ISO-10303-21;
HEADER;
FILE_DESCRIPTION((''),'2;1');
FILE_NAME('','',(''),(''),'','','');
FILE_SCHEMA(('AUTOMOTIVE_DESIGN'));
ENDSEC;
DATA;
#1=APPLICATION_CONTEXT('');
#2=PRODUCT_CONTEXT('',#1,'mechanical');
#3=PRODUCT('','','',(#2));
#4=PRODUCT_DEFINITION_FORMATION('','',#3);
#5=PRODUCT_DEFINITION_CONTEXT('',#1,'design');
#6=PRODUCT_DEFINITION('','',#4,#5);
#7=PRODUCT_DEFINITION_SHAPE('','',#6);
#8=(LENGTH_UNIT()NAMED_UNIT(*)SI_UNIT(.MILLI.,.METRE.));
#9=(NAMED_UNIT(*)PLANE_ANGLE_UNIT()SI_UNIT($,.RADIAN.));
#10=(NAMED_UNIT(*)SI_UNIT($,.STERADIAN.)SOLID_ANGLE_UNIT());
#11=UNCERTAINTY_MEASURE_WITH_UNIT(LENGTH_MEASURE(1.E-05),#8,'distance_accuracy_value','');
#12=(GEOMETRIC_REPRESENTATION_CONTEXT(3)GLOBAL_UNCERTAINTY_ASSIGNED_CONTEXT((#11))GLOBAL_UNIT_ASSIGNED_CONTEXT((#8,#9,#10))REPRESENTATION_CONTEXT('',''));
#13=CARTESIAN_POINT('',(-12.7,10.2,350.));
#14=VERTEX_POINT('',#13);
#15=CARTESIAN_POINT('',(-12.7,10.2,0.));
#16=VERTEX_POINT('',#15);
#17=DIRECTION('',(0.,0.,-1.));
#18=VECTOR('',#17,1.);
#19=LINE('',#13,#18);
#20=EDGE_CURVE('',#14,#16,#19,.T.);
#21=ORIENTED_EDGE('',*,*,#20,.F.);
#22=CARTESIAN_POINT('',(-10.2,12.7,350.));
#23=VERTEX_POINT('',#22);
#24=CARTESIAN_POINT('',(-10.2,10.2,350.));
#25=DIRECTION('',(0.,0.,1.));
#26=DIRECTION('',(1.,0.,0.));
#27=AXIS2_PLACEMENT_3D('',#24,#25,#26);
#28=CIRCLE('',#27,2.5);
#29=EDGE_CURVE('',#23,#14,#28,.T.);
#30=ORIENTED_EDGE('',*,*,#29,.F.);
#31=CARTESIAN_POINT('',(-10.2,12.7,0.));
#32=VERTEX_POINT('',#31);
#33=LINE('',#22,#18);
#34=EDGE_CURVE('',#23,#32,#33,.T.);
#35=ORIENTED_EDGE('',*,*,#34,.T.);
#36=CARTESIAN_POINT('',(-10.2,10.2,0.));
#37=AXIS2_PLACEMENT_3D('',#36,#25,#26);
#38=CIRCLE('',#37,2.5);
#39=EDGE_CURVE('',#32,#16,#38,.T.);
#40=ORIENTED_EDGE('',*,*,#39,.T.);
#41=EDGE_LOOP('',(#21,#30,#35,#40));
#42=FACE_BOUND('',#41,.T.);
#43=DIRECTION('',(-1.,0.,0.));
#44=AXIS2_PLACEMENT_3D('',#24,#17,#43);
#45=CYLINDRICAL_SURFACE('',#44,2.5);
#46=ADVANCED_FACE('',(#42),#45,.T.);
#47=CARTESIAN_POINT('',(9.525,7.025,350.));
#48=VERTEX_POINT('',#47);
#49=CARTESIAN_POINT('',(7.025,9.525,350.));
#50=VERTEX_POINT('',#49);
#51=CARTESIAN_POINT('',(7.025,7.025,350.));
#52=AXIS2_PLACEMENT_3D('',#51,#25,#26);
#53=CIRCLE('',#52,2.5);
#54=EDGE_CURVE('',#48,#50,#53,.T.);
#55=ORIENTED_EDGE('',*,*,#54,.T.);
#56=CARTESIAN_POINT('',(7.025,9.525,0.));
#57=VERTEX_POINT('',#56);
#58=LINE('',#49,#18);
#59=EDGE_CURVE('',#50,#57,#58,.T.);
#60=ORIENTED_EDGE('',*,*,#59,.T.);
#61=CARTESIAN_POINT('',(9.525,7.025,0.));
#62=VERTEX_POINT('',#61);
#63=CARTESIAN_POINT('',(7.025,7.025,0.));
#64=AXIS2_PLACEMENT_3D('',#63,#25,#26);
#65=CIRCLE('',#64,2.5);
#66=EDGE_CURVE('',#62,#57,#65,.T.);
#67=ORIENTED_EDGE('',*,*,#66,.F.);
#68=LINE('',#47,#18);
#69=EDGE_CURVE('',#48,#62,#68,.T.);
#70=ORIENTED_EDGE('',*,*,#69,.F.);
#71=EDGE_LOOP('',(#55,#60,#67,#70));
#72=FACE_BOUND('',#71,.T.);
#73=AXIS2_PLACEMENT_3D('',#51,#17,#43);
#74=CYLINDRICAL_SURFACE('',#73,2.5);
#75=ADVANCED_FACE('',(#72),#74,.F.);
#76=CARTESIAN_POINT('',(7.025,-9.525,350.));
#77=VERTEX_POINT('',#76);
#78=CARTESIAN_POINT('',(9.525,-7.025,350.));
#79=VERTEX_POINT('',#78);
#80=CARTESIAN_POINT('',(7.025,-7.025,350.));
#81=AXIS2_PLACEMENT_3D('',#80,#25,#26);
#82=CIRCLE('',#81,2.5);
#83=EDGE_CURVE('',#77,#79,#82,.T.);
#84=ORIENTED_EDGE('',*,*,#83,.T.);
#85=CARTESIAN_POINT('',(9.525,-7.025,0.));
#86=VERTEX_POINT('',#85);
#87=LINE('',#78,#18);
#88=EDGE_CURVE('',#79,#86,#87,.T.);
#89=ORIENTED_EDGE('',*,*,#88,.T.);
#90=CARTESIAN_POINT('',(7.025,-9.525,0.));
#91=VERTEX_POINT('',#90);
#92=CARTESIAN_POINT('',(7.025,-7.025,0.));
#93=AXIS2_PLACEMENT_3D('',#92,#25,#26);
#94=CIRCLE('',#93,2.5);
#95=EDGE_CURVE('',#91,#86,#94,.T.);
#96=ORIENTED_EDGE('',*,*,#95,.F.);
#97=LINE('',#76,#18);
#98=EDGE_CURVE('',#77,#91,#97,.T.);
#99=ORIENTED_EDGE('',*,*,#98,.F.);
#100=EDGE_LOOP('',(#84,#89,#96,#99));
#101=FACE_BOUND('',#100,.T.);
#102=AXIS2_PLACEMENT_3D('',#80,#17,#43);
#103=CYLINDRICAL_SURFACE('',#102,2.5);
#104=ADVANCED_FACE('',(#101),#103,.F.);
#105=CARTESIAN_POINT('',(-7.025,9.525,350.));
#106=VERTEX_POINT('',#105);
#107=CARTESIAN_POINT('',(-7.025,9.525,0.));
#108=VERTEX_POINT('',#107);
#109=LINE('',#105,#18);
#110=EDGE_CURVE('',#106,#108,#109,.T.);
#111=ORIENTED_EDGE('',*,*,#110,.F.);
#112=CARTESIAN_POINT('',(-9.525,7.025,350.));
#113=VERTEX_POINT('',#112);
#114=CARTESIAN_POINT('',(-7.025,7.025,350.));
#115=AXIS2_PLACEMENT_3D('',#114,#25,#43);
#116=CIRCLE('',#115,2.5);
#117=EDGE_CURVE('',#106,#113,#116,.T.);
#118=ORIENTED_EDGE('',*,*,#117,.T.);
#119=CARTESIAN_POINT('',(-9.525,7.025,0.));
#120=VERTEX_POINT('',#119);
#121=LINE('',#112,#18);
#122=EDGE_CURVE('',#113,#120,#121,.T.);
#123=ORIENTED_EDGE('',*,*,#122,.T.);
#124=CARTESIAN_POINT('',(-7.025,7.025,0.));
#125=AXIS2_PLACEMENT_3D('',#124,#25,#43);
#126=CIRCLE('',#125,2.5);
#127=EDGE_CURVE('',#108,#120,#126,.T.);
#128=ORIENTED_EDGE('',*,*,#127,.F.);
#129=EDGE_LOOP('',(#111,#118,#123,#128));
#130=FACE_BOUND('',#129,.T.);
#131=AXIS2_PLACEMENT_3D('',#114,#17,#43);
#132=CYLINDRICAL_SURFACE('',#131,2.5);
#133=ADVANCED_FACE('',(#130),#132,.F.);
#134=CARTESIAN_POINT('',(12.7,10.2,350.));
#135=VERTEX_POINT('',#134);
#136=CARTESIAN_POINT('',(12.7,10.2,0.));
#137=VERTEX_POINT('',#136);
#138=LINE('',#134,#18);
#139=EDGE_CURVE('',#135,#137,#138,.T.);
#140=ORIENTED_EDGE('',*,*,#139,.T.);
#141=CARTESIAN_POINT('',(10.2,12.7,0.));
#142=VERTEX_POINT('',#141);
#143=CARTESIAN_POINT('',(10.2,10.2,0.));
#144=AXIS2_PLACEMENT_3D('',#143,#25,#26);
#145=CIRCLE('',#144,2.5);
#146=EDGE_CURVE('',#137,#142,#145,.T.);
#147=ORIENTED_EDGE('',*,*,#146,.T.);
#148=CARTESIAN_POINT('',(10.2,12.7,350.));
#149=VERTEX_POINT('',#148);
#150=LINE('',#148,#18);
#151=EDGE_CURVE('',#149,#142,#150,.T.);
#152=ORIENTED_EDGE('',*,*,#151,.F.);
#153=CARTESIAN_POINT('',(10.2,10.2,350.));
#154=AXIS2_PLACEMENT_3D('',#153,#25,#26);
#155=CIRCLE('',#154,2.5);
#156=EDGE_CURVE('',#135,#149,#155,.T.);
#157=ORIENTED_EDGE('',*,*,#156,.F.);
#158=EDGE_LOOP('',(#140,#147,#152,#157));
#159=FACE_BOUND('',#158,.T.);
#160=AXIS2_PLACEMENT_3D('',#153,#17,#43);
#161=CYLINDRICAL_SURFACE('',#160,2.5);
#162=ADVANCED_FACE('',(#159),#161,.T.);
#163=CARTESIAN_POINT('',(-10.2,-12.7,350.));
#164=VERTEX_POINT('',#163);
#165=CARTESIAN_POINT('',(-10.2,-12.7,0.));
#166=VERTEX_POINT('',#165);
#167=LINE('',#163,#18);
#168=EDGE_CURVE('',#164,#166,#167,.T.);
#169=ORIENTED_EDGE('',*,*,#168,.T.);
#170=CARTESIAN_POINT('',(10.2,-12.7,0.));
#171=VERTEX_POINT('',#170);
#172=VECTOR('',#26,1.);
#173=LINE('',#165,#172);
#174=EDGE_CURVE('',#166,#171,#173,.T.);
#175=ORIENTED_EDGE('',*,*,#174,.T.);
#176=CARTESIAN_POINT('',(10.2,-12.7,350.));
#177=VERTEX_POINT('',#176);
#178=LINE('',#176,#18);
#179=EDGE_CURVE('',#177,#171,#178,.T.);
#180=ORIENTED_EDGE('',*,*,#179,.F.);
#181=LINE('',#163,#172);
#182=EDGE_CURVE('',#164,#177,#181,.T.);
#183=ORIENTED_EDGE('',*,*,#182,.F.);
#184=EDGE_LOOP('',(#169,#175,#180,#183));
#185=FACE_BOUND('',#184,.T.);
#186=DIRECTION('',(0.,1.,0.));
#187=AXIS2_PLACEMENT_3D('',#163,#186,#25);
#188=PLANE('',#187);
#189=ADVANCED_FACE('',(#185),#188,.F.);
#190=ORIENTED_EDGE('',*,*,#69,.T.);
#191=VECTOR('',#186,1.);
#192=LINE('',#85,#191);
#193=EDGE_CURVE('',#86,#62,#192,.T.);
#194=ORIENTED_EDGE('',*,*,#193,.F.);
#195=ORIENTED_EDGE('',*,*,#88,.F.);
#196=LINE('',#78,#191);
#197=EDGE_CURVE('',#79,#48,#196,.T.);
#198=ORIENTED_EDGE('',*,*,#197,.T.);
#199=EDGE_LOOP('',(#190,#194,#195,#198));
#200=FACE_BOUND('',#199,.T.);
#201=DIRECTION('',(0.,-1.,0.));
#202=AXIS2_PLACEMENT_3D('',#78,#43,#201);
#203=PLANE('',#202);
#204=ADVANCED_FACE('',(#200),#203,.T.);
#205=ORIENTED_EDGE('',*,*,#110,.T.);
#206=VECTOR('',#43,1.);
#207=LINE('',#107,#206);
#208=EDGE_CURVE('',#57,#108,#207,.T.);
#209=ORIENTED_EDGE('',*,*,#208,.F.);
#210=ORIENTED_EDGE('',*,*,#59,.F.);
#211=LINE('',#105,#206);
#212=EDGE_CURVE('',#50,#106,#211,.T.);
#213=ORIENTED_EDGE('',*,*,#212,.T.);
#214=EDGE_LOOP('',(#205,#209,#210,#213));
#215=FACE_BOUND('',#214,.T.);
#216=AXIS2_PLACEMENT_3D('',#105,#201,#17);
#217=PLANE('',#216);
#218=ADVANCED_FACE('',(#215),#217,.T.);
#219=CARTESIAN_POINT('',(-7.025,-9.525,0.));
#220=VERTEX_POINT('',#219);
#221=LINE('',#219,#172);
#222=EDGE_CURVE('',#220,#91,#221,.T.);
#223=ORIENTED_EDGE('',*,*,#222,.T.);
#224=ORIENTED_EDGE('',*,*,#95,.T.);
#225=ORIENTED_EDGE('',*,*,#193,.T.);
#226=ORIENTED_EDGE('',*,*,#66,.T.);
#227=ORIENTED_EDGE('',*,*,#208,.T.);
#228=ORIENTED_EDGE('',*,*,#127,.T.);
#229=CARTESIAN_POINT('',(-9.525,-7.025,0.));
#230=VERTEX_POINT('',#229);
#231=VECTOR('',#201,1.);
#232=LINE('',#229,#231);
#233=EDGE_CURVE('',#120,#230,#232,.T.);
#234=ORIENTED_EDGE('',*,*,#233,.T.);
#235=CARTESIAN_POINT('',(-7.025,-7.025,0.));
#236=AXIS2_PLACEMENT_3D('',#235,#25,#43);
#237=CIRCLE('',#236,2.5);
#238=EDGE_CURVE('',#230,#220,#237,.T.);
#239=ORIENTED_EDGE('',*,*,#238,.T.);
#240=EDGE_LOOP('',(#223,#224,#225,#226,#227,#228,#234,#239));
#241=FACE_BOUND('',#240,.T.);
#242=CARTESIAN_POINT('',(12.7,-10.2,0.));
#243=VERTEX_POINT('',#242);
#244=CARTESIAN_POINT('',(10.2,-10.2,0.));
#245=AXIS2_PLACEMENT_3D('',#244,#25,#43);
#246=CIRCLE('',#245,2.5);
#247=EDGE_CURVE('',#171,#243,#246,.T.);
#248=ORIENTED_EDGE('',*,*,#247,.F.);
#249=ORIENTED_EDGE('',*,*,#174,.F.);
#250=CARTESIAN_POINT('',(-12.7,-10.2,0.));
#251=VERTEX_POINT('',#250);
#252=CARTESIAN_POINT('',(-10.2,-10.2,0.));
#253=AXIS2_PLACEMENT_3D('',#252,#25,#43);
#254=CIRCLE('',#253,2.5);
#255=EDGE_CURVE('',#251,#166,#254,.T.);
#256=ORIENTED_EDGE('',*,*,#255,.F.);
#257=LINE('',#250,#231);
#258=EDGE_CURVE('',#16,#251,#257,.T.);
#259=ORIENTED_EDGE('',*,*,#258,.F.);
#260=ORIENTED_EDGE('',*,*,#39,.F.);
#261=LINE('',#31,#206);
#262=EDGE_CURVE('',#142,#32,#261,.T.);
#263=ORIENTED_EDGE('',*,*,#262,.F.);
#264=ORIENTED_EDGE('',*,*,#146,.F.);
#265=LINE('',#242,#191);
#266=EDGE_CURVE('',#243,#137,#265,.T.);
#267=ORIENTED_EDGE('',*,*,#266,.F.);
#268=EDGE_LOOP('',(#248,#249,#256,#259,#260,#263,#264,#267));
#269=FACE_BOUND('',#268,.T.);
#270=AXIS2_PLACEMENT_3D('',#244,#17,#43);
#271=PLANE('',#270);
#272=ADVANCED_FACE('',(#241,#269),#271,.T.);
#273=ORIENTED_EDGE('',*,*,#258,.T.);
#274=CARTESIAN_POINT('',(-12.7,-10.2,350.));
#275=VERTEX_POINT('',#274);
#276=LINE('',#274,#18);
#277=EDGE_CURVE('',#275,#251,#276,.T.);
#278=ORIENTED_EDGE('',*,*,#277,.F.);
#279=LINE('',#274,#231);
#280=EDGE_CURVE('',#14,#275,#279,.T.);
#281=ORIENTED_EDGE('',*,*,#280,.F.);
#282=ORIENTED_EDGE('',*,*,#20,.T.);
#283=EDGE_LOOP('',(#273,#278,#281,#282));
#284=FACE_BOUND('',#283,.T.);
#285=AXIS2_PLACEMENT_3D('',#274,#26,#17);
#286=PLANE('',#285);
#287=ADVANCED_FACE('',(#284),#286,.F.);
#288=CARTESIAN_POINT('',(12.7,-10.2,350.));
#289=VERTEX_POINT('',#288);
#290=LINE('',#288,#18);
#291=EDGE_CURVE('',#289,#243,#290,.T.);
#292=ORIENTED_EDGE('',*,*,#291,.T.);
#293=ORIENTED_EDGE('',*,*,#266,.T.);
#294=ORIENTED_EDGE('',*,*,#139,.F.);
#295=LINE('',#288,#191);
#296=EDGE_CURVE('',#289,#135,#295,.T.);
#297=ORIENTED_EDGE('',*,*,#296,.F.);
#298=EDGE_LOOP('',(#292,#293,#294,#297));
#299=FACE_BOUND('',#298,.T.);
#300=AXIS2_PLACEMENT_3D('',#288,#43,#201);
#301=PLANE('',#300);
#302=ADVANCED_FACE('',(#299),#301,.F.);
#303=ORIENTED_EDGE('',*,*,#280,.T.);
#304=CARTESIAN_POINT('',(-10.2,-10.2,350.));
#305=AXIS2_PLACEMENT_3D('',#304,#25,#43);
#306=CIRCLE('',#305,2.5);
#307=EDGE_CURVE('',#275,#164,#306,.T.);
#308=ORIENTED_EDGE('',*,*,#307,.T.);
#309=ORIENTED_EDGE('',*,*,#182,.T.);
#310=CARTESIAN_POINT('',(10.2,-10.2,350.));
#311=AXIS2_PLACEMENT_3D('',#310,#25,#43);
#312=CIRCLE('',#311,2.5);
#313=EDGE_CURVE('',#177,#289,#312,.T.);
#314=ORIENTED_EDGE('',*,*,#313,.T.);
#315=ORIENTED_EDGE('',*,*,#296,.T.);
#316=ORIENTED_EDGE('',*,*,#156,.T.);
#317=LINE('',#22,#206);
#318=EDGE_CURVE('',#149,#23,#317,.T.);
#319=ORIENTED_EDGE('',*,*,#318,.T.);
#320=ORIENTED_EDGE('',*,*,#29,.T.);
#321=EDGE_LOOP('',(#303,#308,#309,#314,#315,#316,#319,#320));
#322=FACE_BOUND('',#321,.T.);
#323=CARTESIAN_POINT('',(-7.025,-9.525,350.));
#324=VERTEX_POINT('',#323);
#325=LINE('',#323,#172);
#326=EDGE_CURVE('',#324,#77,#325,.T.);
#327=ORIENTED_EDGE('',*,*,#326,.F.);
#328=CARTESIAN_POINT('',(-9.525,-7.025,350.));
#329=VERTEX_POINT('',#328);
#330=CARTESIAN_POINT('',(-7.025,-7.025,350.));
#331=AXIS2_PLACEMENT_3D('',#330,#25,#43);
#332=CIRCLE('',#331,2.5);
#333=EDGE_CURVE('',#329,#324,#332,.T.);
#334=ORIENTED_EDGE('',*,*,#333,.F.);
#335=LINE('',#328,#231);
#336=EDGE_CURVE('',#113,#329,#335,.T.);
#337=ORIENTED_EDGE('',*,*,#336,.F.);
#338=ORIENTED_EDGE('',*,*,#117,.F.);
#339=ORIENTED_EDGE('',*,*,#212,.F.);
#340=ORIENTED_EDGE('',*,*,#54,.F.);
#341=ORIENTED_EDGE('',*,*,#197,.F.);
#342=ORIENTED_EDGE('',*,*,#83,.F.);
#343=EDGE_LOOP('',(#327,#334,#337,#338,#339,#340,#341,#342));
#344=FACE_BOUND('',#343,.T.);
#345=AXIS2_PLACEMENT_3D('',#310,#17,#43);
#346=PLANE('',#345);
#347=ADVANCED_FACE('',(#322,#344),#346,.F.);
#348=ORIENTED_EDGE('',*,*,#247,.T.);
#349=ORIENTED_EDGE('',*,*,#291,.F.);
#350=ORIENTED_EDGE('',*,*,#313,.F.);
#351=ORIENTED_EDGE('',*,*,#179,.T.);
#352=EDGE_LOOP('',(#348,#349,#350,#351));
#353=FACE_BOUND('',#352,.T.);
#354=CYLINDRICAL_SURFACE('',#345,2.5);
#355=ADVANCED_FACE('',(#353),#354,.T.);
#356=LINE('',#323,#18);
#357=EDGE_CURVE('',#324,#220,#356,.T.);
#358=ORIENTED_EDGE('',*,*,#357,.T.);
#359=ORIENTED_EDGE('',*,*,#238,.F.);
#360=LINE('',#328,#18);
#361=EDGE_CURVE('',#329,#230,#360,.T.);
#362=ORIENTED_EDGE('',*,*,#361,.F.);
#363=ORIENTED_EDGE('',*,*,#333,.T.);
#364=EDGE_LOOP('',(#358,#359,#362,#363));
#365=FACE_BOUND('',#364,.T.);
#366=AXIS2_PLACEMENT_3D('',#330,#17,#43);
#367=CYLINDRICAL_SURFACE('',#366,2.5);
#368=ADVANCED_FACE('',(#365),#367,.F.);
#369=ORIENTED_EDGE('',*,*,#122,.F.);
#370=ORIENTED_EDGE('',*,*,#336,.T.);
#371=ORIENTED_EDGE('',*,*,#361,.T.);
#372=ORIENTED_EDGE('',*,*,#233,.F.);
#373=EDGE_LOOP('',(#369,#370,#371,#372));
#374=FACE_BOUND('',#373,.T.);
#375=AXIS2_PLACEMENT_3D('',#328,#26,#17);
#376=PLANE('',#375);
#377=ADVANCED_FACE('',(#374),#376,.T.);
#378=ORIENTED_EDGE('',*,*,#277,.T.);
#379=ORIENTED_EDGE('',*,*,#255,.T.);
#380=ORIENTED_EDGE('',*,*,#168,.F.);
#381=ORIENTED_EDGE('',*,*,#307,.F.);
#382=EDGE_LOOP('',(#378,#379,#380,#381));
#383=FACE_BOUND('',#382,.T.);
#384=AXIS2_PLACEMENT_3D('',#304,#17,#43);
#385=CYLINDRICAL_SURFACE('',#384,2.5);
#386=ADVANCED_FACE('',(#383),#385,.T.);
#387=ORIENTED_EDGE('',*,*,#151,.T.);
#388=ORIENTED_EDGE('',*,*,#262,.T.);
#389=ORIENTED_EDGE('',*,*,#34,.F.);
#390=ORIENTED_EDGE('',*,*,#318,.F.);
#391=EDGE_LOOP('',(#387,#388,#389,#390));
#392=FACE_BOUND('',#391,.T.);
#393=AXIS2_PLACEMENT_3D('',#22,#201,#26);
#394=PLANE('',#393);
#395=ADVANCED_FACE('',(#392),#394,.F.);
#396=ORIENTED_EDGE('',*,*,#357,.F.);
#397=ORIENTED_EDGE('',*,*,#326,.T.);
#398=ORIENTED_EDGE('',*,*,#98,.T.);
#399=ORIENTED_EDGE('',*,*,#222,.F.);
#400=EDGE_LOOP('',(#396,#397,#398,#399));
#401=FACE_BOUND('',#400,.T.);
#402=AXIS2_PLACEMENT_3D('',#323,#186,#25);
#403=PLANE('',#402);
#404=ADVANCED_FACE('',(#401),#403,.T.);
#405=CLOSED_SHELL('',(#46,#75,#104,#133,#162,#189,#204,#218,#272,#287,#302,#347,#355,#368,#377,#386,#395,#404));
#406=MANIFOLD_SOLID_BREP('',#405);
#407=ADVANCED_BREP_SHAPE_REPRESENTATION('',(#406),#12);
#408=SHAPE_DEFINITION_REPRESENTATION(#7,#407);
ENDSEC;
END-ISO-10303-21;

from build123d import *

# Parameters (mm, degrees)
SALIENTE_EXTRUIR1_DEPTH = 350


with BuildPart() as part:
    # Croquis1 → Saliente-Extruir1 (new body)
    with BuildSketch(Plane.XY):
        with BuildLine():
            Line((-10.2, -12.7), (10.2, -12.7))
            ThreePointArc((10.2, -12.7), (11.967766953, -11.967766953), (12.7, -10.2))
            Line((12.7, -10.2), (12.7, 10.2))
            ThreePointArc((12.7, 10.2), (11.967766953, 11.967766953), (10.2, 12.7))
            Line((10.2, 12.7), (-10.2, 12.7))
            ThreePointArc((-10.2, 12.7), (-11.967766953, 11.967766953), (-12.7, 10.2))
            Line((-12.7, 10.2), (-12.7, -10.2))
            ThreePointArc((-12.7, -10.2), (-11.967766953, -11.967766953), (-10.2, -12.7))
        make_face()
        with BuildLine():
            Line((-7.025, -9.525), (7.025, -9.525))
            ThreePointArc((7.025, -9.525), (8.792766953, -8.792766953), (9.525, -7.025))
            Line((9.525, -7.025), (9.525, 7.025))
            ThreePointArc((9.525, 7.025), (8.792766953, 8.792766953), (7.025, 9.525))
            Line((7.025, 9.525), (-7.025, 9.525))
            ThreePointArc((-7.025, 9.525), (-8.792766953, 8.792766953), (-9.525, 7.025))
            Line((-9.525, 7.025), (-9.525, -7.025))
            ThreePointArc((-9.525, -7.025), (-8.792766953, -8.792766953), (-7.025, -9.525))
        make_face(mode=Mode.SUBTRACT)
    extrude(amount=SALIENTE_EXTRUIR1_DEPTH)


solid = part.part
